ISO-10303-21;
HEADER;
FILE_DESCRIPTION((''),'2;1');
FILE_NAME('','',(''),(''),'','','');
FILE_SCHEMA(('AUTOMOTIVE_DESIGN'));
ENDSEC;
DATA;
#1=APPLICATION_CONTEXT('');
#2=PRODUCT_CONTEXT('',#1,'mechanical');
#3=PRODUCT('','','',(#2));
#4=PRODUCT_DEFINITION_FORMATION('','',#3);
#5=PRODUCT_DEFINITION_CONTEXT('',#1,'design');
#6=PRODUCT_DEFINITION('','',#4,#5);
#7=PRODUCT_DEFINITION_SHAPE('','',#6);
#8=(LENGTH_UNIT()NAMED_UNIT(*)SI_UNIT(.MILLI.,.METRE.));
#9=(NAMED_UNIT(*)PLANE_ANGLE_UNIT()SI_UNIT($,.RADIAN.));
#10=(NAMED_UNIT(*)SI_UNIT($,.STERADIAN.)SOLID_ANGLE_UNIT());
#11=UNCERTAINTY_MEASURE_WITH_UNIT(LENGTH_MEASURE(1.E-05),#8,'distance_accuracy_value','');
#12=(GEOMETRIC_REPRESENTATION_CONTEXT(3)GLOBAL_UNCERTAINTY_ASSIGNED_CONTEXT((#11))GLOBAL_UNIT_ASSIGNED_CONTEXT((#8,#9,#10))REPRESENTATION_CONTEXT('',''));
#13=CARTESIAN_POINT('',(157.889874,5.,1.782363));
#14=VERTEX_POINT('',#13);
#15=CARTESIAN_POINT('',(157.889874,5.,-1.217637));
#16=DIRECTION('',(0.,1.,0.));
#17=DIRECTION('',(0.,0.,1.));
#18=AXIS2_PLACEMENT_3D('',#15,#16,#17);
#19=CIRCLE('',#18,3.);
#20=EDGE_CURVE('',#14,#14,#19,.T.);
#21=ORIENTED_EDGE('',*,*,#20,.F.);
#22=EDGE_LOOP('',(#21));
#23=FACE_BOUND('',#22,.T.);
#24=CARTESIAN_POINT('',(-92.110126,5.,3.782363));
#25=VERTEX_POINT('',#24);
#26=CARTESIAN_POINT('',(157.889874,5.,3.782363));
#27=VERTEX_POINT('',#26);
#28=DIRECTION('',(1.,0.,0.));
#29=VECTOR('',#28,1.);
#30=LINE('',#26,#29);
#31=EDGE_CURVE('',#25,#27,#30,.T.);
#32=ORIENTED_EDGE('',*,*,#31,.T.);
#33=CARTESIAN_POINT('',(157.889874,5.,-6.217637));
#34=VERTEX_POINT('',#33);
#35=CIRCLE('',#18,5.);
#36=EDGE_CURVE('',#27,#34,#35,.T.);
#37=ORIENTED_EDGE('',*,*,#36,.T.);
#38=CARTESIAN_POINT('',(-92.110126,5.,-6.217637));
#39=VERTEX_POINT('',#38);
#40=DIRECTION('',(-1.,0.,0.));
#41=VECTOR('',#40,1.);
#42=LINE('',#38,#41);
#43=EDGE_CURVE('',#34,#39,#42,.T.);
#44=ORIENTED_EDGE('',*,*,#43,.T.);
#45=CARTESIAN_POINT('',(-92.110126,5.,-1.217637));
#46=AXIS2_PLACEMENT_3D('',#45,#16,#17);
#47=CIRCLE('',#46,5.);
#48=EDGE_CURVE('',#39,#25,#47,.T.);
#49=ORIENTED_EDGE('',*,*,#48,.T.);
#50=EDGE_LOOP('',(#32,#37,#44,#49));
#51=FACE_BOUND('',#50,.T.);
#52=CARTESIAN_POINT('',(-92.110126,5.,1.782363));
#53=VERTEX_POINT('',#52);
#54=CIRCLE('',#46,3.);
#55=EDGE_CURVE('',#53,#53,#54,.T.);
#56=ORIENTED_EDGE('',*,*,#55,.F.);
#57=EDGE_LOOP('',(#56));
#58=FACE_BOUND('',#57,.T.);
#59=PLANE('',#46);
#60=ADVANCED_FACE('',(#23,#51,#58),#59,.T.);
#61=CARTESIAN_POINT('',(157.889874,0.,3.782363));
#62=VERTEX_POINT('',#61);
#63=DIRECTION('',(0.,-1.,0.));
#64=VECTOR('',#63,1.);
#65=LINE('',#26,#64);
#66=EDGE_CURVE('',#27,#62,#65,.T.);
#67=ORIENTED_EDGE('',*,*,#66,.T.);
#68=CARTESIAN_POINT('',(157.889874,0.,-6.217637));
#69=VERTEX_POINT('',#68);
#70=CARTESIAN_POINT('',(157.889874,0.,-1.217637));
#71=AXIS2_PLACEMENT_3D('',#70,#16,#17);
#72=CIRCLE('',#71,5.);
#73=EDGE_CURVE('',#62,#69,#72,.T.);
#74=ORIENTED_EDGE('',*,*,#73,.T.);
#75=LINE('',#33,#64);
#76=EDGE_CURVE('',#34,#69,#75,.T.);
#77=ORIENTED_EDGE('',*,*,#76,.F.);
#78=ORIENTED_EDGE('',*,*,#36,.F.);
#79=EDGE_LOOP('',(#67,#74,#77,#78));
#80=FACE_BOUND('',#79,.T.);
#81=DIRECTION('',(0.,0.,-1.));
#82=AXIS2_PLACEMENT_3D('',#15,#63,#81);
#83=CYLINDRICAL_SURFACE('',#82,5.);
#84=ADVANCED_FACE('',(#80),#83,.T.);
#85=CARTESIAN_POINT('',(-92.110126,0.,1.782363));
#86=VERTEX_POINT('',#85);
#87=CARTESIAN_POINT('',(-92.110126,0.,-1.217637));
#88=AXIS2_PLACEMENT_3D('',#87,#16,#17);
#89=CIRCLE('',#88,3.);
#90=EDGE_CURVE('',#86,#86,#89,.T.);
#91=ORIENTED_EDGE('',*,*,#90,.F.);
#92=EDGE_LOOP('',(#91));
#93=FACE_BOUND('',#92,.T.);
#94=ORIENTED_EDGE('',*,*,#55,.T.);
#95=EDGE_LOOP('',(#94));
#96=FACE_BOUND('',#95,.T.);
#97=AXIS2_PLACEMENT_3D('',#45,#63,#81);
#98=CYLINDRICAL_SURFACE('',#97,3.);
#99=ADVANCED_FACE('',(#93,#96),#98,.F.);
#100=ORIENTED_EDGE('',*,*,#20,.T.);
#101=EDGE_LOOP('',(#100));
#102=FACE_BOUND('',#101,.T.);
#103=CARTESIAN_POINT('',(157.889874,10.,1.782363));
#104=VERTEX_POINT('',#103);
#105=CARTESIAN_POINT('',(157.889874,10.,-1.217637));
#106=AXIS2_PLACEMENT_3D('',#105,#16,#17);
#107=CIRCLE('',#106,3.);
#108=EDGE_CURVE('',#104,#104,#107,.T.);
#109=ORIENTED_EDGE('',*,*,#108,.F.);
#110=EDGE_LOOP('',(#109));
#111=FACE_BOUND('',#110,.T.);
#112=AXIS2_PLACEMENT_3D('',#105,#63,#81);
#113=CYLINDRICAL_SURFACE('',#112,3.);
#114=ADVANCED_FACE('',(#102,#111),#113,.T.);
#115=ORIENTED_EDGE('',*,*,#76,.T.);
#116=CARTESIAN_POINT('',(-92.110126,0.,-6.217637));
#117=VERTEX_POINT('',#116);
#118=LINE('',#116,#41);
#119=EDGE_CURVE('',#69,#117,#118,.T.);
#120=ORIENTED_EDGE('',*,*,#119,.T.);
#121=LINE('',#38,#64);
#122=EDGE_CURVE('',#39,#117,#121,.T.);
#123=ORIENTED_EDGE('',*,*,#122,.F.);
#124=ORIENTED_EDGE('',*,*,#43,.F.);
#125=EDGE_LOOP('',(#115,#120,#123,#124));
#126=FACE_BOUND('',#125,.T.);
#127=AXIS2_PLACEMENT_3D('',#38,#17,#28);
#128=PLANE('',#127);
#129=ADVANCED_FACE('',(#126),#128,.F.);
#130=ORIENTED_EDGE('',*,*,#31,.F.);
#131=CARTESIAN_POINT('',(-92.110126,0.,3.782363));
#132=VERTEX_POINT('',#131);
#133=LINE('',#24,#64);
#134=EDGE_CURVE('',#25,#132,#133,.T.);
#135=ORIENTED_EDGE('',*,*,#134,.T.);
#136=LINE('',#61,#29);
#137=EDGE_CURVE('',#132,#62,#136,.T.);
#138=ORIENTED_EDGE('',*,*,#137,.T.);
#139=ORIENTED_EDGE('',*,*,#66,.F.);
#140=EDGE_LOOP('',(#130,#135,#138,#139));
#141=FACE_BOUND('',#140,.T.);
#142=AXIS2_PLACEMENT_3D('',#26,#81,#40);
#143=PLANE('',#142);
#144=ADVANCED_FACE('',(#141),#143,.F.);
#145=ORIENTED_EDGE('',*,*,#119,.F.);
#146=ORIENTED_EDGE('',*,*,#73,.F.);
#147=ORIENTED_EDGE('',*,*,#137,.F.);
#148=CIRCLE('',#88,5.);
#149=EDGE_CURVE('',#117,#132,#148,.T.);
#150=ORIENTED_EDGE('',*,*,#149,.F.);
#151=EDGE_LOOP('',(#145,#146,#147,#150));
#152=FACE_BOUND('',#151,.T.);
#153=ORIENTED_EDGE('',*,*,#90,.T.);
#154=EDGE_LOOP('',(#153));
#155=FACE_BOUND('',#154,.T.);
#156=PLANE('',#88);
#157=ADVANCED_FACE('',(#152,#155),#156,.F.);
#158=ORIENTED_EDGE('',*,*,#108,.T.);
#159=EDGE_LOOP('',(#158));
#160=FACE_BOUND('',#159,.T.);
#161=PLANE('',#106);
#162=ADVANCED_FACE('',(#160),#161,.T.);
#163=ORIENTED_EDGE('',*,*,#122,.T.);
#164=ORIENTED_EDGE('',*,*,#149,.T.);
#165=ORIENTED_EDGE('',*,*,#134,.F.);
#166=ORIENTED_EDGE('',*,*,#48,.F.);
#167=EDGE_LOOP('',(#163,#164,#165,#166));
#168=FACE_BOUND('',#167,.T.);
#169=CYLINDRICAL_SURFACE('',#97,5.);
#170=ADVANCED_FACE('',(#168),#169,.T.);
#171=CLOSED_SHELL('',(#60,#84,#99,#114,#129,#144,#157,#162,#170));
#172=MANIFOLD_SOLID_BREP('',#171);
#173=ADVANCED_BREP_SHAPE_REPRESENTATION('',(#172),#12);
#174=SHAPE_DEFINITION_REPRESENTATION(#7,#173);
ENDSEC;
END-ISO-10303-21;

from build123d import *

# Parameters (mm, degrees)
SKETCH_1_R      = 3
EXTRUDE_1_DEPTH = 5
SKETCH_2_R      = 3
EXTRUDE_2_DEPTH = 5


with BuildPart() as part:
    # 草图1 → 凸台-拉伸1 (new body)
    with BuildSketch(Plane(origin=(0, 0, 0), x_dir=(1, 0, 0), z_dir=(0, 1, 0))):
        with BuildLine():
            Line((-92.110125605, 6.217636835), (157.889874395, 6.217636835))
            ThreePointArc((157.889874395, 6.217636835), (162.889874395, 1.217636835), (157.889874395, -3.782363165))
            Line((157.889874395, -3.782363165), (-92.110125605, -3.782363165))
            ThreePointArc((-92.110125605, -3.782363165), (-97.110125605, 1.217636835), (-92.110125605, 6.217636835))
        make_face()
        with Locations(Location((-92.110125605, 1.217636835, 0), (0, 0, 270))):
            Circle(SKETCH_1_R, mode=Mode.SUBTRACT)
    extrude(amount=EXTRUDE_1_DEPTH)

    # 草图2 → 凸台-拉伸2 (add)
    with BuildSketch(Plane(origin=(0, 5, 0), x_dir=(1, 0, 0), z_dir=(0, 1, 0))):
        with Locations(Location((157.889874395, 1.217636835, 0), (0, 0, 270))):
            Circle(SKETCH_2_R)
    extrude(amount=EXTRUDE_2_DEPTH)


solid = part.part
